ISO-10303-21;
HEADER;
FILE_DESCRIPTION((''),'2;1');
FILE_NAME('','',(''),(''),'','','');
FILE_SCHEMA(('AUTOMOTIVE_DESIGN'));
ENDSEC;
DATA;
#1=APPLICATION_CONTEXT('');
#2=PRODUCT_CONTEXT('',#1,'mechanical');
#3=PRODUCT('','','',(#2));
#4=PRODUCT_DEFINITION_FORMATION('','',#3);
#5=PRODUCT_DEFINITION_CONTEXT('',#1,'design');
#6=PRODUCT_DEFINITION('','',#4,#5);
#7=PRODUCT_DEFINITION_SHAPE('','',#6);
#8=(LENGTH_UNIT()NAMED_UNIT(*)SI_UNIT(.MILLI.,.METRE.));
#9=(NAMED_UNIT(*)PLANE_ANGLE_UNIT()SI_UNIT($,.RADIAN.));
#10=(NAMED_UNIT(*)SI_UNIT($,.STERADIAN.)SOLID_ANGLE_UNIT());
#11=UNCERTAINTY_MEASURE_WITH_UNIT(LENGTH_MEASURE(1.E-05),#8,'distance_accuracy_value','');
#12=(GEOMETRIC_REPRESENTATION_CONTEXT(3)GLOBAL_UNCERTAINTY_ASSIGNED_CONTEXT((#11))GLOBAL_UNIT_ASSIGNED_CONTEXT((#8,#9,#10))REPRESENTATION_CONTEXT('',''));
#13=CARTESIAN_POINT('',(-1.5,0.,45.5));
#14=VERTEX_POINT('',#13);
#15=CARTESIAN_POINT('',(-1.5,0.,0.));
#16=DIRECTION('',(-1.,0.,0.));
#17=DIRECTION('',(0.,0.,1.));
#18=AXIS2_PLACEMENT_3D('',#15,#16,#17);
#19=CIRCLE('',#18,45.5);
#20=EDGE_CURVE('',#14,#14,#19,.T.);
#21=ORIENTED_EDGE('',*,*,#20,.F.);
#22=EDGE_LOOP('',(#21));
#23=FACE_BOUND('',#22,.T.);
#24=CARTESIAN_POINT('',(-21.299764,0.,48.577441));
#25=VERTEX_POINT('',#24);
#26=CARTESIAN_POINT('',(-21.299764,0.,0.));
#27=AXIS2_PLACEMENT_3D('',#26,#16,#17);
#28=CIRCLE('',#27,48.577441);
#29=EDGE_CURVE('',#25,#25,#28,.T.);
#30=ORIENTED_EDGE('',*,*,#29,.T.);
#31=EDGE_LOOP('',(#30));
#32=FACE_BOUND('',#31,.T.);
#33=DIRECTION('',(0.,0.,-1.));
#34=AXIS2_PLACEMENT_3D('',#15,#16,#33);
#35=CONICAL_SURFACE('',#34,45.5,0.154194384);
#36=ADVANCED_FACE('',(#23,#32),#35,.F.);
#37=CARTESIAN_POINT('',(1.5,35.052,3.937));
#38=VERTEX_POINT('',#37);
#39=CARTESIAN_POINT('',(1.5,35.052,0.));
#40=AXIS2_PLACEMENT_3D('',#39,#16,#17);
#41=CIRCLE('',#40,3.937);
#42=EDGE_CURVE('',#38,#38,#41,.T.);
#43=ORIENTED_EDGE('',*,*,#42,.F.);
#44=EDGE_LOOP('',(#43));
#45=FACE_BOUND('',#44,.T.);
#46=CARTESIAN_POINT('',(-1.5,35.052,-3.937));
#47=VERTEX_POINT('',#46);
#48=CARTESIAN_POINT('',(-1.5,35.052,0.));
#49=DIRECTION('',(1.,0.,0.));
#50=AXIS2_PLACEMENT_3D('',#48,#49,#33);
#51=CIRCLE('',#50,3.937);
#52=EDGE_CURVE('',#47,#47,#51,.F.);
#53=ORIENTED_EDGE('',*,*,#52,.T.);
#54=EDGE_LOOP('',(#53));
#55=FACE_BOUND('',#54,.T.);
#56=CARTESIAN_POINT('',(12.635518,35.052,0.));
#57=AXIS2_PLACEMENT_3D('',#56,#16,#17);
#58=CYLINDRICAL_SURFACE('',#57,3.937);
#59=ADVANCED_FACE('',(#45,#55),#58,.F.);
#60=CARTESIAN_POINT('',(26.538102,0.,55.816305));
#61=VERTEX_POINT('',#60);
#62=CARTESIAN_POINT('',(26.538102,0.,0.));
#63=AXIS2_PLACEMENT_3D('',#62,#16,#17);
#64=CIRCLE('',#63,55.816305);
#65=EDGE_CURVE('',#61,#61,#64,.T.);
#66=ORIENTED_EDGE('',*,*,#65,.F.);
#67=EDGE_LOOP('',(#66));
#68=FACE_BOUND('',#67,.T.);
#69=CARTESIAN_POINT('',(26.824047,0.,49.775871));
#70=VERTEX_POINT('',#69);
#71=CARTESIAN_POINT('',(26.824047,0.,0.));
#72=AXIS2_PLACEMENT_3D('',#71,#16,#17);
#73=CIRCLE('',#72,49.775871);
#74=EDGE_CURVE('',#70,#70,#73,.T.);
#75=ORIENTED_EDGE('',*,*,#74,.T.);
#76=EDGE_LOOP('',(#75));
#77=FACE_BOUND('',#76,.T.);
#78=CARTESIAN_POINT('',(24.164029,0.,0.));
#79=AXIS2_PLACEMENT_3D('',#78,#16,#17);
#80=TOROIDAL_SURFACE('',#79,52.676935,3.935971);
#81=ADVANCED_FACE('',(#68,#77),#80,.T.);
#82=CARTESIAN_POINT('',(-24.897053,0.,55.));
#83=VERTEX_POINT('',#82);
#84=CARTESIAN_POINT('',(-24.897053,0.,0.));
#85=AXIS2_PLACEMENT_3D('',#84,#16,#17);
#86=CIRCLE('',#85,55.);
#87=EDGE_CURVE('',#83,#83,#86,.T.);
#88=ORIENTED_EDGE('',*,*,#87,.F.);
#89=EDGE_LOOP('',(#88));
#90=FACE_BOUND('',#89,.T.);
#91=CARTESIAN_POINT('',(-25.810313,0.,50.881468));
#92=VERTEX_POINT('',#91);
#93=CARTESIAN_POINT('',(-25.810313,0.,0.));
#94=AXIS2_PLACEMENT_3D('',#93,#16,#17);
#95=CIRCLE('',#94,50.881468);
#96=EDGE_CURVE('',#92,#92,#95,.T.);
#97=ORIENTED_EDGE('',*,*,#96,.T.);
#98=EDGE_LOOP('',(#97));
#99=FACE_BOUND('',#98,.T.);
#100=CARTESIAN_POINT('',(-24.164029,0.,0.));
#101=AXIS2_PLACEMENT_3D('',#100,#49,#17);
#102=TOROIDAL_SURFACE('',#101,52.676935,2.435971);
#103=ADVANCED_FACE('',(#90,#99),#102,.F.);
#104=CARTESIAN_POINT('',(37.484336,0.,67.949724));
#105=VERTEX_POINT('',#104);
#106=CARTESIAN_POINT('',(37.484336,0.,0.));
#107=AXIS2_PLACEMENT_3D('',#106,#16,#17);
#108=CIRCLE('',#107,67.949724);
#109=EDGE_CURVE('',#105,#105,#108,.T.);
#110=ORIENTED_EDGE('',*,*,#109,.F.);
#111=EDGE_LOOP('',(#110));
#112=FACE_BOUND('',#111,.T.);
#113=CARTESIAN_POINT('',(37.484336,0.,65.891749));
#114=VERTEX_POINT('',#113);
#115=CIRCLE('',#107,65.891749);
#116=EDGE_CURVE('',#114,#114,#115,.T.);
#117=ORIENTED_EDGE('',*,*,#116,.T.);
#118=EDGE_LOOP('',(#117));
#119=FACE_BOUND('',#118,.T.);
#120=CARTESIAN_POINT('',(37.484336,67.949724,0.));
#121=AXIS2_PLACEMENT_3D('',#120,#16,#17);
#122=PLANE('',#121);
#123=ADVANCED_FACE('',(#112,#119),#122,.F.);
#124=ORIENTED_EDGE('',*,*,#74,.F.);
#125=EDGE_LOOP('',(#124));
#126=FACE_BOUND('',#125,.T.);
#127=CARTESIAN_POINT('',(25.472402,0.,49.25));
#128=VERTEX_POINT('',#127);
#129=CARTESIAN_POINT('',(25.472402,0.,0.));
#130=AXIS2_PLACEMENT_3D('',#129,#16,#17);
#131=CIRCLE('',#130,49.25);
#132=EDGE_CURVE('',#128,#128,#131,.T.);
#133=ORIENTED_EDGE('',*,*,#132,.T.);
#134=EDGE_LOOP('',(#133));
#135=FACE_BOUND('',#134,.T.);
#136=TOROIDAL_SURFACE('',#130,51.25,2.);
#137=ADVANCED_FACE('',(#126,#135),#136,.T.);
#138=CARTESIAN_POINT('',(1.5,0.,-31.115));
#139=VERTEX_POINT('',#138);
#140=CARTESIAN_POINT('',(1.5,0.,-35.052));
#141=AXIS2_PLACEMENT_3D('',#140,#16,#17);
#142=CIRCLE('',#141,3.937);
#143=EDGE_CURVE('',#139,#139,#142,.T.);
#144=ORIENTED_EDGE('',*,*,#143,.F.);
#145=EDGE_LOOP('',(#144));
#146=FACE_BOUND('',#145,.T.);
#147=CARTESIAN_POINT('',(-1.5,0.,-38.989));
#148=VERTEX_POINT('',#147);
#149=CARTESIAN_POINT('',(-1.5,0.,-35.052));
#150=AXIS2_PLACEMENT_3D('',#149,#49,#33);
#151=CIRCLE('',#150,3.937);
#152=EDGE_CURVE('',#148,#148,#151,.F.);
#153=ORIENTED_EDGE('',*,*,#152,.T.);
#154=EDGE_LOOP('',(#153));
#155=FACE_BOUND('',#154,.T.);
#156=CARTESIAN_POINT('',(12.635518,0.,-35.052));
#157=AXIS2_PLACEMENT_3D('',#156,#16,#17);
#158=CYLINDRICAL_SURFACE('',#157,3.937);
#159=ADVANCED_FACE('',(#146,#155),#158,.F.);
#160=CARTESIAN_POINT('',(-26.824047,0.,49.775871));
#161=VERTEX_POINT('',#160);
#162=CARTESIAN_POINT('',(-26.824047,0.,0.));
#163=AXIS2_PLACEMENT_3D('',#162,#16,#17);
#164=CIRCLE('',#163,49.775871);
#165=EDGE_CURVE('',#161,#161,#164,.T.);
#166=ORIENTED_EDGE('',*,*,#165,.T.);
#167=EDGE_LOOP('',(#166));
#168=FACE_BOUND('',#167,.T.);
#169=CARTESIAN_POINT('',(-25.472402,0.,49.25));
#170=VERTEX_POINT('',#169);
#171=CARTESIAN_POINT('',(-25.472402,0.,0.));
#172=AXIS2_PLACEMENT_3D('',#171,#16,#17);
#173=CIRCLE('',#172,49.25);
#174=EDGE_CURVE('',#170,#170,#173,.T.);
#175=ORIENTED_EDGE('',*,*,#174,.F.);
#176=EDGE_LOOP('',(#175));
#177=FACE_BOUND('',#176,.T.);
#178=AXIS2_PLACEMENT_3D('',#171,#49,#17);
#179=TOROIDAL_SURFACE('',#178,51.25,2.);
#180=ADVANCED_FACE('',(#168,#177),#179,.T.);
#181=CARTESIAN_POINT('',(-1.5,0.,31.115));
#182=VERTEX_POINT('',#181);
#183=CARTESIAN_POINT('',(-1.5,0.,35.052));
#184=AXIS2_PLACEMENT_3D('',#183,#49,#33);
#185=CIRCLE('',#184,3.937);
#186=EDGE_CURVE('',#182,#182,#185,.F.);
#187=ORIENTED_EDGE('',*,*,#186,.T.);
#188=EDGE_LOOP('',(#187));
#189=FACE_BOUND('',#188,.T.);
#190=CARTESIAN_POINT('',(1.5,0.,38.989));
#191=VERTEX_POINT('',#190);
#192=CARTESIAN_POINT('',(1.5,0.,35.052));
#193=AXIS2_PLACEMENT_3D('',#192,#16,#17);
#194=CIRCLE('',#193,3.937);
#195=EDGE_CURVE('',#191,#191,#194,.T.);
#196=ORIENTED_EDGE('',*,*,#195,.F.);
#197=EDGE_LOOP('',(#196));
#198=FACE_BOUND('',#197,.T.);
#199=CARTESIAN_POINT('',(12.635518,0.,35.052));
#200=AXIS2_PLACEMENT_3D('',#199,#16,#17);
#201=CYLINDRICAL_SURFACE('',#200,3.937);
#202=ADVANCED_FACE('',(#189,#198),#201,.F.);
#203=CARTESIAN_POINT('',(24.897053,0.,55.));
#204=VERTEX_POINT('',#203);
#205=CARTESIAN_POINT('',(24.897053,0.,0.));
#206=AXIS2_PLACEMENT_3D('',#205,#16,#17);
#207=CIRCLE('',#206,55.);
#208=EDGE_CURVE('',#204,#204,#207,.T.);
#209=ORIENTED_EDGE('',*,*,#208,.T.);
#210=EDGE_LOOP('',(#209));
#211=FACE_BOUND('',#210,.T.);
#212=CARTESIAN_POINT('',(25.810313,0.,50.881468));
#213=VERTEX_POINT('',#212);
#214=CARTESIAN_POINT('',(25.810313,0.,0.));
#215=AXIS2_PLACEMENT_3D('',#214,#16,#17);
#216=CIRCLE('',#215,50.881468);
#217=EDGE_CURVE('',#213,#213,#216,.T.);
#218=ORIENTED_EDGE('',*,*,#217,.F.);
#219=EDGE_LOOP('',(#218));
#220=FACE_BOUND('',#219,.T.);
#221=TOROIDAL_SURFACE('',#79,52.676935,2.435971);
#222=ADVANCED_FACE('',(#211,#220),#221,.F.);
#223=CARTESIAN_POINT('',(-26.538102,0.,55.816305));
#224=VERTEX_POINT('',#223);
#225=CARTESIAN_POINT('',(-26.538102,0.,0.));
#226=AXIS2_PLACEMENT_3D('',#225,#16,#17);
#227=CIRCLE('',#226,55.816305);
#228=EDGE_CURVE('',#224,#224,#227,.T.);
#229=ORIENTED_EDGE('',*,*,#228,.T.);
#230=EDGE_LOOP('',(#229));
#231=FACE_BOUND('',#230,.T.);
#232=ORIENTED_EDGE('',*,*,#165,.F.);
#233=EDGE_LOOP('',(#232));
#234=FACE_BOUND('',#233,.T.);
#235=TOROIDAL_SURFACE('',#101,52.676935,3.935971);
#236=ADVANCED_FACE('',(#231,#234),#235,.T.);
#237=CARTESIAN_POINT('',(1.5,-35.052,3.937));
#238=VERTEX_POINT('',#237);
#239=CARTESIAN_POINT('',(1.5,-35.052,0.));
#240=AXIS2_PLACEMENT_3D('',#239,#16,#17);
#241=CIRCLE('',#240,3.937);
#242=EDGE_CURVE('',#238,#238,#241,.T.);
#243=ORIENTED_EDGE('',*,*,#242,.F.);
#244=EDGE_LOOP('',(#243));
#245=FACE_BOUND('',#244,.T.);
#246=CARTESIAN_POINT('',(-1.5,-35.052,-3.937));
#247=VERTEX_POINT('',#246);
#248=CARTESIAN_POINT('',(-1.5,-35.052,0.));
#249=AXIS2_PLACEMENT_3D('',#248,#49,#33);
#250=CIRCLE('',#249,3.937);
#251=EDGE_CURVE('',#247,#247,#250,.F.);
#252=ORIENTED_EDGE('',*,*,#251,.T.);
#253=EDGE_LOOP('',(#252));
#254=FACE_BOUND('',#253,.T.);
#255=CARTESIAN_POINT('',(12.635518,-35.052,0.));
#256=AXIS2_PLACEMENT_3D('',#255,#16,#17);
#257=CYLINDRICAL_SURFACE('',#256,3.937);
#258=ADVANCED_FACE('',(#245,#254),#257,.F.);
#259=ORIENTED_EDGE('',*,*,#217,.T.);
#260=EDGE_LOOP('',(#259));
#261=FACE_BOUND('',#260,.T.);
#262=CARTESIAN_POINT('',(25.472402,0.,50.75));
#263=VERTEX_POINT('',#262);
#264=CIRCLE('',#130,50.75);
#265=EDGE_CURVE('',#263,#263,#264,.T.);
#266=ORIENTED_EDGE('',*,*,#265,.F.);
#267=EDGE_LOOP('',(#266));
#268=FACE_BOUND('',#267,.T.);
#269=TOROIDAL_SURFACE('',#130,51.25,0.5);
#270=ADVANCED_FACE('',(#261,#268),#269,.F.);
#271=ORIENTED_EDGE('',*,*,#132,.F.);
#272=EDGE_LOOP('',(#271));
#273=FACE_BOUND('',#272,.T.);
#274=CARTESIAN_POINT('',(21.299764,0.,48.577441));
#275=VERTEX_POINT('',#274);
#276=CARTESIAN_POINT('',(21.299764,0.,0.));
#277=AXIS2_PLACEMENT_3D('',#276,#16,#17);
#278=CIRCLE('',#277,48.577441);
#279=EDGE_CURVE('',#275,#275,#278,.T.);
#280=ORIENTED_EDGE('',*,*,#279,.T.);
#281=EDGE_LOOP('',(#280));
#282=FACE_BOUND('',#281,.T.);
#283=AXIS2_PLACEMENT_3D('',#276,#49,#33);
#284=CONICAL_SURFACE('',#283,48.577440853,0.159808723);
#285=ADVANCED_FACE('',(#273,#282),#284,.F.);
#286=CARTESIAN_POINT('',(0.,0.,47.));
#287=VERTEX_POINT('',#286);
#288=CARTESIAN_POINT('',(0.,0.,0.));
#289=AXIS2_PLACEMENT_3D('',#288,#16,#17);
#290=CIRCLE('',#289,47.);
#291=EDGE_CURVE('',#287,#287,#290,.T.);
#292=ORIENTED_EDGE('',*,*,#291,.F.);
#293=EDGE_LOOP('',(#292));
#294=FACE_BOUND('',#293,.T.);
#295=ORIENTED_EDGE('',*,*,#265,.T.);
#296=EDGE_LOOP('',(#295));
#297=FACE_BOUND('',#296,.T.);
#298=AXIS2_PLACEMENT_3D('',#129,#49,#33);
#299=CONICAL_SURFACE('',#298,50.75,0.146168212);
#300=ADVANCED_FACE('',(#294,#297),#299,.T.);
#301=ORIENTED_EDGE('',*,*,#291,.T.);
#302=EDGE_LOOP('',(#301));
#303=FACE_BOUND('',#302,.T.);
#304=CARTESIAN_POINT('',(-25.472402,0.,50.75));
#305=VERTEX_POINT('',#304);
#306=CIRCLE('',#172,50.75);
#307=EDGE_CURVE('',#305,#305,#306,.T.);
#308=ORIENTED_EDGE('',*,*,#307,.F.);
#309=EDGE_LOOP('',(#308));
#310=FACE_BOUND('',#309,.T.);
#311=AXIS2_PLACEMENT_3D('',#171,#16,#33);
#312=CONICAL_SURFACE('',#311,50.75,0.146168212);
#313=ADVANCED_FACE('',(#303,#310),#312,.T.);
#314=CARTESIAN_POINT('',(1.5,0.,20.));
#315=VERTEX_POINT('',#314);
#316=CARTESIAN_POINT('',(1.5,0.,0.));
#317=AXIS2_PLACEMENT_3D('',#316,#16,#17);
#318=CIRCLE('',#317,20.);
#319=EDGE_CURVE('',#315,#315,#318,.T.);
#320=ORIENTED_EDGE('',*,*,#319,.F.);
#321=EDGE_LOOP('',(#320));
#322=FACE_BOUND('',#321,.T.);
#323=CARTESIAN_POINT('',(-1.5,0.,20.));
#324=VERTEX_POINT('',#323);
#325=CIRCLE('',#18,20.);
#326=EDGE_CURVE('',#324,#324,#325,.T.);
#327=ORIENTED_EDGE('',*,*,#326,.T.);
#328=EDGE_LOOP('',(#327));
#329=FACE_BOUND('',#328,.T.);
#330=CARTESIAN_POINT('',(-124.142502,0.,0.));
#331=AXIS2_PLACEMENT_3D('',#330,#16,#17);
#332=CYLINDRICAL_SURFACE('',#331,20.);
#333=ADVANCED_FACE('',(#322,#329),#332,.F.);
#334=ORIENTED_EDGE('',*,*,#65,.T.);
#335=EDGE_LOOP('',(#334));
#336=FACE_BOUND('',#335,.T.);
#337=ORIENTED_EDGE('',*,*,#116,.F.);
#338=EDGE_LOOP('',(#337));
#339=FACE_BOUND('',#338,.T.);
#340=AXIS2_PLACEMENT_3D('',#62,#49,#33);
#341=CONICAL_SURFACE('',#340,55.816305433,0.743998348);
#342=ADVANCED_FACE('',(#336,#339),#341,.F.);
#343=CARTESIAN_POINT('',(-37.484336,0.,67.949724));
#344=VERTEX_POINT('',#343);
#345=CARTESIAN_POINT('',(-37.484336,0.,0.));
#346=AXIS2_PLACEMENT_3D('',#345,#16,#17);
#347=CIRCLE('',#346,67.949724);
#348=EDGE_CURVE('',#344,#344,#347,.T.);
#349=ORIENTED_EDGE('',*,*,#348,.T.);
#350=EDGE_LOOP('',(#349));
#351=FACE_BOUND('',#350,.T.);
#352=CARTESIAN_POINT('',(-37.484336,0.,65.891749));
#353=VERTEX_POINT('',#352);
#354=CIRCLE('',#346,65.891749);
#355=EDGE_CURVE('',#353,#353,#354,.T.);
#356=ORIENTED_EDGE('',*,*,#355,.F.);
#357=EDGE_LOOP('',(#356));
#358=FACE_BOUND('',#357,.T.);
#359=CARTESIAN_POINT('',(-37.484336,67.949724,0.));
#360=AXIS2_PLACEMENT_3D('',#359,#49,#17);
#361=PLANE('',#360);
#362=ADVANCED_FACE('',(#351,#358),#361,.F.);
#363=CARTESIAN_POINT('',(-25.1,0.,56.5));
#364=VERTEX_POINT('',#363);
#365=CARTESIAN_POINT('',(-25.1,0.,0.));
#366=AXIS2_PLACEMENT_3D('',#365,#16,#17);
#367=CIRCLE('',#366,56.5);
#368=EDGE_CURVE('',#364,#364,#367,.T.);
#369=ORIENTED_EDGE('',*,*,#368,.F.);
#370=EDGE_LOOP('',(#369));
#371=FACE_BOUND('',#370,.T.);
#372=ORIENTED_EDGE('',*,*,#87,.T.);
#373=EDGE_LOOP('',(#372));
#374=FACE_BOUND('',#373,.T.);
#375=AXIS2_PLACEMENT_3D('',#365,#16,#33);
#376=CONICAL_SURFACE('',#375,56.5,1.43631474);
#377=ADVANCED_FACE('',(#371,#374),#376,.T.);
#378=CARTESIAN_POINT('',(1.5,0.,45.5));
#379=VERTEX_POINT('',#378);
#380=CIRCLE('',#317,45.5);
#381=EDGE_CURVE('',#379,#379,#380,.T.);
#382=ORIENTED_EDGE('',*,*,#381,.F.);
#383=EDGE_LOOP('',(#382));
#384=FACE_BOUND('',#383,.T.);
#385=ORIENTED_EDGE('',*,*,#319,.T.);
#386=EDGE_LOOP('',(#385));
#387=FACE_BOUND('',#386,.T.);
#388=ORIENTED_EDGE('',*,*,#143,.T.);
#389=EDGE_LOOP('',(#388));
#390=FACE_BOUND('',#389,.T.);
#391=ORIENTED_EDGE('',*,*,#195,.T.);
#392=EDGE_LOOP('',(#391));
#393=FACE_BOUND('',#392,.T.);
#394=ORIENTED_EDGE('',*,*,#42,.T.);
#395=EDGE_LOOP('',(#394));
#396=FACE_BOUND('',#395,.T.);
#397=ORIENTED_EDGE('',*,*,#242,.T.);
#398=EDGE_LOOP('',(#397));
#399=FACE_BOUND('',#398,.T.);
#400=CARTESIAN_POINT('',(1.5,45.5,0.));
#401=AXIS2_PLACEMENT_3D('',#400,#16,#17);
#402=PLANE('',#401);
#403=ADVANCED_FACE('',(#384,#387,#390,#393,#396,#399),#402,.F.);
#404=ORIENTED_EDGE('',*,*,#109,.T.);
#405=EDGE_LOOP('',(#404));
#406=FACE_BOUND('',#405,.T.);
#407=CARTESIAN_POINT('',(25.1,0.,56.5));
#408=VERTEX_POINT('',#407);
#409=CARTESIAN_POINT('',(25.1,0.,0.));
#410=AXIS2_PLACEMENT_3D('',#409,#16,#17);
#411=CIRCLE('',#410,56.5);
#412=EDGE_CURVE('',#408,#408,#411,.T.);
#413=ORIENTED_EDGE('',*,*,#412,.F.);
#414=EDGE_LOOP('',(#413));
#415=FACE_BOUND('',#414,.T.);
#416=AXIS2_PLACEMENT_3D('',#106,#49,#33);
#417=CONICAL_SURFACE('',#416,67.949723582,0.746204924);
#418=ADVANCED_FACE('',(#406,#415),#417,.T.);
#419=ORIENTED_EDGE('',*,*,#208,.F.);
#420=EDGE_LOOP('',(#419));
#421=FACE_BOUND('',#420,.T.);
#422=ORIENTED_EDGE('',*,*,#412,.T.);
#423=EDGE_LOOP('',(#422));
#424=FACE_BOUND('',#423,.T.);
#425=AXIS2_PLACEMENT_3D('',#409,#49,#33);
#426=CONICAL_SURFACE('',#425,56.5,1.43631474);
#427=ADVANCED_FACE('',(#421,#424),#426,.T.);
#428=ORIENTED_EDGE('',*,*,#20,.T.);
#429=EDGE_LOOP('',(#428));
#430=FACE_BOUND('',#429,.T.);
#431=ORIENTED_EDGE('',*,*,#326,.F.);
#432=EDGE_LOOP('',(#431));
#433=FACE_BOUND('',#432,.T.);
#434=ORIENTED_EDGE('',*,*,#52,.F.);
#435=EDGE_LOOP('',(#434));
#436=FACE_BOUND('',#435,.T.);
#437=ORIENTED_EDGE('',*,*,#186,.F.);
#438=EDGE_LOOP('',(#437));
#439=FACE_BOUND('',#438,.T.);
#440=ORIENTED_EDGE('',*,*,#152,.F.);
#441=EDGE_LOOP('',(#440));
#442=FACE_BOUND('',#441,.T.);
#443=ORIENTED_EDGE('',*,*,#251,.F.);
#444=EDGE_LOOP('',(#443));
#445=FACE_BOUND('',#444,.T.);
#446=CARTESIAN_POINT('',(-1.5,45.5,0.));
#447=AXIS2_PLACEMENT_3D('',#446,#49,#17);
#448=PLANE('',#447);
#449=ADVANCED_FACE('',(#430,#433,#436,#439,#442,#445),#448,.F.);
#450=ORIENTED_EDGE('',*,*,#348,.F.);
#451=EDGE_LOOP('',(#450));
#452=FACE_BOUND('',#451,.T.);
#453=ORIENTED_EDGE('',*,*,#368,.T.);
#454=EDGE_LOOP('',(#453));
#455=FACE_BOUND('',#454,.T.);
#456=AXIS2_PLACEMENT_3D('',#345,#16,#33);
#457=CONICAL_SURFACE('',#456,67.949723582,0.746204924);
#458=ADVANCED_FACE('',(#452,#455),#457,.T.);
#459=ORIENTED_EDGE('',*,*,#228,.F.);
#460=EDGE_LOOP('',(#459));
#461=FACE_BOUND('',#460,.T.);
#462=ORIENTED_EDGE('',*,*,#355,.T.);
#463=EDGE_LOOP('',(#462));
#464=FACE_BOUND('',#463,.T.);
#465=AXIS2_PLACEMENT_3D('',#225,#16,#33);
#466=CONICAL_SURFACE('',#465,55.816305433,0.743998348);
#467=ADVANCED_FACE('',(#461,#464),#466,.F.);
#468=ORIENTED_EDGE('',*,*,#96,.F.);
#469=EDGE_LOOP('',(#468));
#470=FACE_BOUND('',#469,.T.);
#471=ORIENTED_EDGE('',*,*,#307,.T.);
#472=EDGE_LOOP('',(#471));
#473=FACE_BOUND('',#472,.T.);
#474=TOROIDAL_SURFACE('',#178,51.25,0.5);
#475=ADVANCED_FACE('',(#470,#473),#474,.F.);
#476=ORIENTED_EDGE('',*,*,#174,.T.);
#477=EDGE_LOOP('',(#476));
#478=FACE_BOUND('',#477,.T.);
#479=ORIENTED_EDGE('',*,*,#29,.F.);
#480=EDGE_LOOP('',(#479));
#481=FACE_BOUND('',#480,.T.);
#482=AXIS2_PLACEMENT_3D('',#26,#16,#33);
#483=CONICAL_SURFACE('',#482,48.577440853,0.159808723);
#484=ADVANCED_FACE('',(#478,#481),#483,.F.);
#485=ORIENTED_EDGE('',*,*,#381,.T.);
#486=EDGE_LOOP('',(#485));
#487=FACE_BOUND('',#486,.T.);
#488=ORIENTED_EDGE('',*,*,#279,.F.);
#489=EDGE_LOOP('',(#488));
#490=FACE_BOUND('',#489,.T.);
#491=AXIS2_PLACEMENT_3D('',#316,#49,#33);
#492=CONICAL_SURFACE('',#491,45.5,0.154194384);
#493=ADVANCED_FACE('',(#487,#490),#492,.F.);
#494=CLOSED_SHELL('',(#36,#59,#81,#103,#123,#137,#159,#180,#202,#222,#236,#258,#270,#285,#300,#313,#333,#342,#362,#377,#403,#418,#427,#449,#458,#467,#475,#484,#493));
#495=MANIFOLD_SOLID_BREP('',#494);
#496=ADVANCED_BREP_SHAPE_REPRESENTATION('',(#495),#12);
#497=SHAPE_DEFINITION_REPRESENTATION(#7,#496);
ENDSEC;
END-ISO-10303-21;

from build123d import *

# Parameters (mm, degrees)
SKETCH3_R          = 3.937
CUT_EXTRUDE1_DEPTH = 1.5


with BuildPart() as part:
    # Sketch1 → Revolve1 (revolve)
    with BuildSketch(Plane.XY, mode=Mode.PRIVATE) as revolve1_sk:
        with BuildLine():
            Line((21.299764248, 48.577440853), (1.5, 45.5))
            Line((1.5, 45.5), (1.5, 20))
            Line((1.5, 20), (0, 20))
            Line((0, 20), (0, 47))
            Line((0, 47), (25.472402047, 50.75))
            ThreePointArc((25.472402047, 50.75), (25.65369453, 50.78402464), (25.810313366, 50.881467857))
            ThreePointArc((25.810313366, 50.881467857), (26.542232857, 53.204287978), (24.897052689, 55))
            Line((24.897052689, 55), (25.1, 56.5))
            Line((25.1, 56.5), (37.484336202, 67.949723582))
            Line((37.484336202, 67.949723582), (37.484336202, 65.891748813))
            Line((37.484336202, 65.891748813), (26.53810168, 55.816305433))
            ThreePointArc((26.53810168, 55.816305433), (28.095597256, 52.863049947), (26.824047324, 49.775871429))
            ThreePointArc((26.824047324, 49.775871429), (26.197571978, 49.386098562), (25.472402047, 49.25))
            Line((25.472402047, 49.25), (21.299764248, 48.577440853))
        make_face()
    revolve1 = revolve(revolve1_sk.sketch.rotate(Axis((-124.142501928, 0, 0), (1, 0, 0)), 90), axis=Axis((-124.142501928, 0, 0), (1, 0, 0)))

    # Sketch3 → Cut-Extrude1 (cut)
    with BuildSketch(Plane(origin=(0, 0, 0), x_dir=(0, 0, -1), z_dir=(1, 0, 0))):
        with Locations(Location((0, 35.052, 0), (0, 0, 180))):
            Circle(SKETCH3_R)
        with Locations(Location((35.052, 0, 0), (0, 0, 180))):
            Circle(SKETCH3_R)
        with Locations(Location((0, -35.052, 0), (0, 0, 180))):
            Circle(SKETCH3_R)
        with Locations(Location((-35.052, 0, 0), (0, 0, 180))):
            Circle(SKETCH3_R)
    cut_extrude1 = extrude(amount=CUT_EXTRUDE1_DEPTH, mode=Mode.SUBTRACT)

    # Mirror1: Revolve1, Cut-Extrude1 across plane
    add(revolve1.mirror(Plane(origin=(0, 47, 0), x_dir=(0, 0, 1), z_dir=(1, 0, 0))))
    add(cut_extrude1.mirror(Plane(origin=(0, 47, 0), x_dir=(0, 0, 1), z_dir=(1, 0, 0))), mode=Mode.SUBTRACT)


solid = part.part
